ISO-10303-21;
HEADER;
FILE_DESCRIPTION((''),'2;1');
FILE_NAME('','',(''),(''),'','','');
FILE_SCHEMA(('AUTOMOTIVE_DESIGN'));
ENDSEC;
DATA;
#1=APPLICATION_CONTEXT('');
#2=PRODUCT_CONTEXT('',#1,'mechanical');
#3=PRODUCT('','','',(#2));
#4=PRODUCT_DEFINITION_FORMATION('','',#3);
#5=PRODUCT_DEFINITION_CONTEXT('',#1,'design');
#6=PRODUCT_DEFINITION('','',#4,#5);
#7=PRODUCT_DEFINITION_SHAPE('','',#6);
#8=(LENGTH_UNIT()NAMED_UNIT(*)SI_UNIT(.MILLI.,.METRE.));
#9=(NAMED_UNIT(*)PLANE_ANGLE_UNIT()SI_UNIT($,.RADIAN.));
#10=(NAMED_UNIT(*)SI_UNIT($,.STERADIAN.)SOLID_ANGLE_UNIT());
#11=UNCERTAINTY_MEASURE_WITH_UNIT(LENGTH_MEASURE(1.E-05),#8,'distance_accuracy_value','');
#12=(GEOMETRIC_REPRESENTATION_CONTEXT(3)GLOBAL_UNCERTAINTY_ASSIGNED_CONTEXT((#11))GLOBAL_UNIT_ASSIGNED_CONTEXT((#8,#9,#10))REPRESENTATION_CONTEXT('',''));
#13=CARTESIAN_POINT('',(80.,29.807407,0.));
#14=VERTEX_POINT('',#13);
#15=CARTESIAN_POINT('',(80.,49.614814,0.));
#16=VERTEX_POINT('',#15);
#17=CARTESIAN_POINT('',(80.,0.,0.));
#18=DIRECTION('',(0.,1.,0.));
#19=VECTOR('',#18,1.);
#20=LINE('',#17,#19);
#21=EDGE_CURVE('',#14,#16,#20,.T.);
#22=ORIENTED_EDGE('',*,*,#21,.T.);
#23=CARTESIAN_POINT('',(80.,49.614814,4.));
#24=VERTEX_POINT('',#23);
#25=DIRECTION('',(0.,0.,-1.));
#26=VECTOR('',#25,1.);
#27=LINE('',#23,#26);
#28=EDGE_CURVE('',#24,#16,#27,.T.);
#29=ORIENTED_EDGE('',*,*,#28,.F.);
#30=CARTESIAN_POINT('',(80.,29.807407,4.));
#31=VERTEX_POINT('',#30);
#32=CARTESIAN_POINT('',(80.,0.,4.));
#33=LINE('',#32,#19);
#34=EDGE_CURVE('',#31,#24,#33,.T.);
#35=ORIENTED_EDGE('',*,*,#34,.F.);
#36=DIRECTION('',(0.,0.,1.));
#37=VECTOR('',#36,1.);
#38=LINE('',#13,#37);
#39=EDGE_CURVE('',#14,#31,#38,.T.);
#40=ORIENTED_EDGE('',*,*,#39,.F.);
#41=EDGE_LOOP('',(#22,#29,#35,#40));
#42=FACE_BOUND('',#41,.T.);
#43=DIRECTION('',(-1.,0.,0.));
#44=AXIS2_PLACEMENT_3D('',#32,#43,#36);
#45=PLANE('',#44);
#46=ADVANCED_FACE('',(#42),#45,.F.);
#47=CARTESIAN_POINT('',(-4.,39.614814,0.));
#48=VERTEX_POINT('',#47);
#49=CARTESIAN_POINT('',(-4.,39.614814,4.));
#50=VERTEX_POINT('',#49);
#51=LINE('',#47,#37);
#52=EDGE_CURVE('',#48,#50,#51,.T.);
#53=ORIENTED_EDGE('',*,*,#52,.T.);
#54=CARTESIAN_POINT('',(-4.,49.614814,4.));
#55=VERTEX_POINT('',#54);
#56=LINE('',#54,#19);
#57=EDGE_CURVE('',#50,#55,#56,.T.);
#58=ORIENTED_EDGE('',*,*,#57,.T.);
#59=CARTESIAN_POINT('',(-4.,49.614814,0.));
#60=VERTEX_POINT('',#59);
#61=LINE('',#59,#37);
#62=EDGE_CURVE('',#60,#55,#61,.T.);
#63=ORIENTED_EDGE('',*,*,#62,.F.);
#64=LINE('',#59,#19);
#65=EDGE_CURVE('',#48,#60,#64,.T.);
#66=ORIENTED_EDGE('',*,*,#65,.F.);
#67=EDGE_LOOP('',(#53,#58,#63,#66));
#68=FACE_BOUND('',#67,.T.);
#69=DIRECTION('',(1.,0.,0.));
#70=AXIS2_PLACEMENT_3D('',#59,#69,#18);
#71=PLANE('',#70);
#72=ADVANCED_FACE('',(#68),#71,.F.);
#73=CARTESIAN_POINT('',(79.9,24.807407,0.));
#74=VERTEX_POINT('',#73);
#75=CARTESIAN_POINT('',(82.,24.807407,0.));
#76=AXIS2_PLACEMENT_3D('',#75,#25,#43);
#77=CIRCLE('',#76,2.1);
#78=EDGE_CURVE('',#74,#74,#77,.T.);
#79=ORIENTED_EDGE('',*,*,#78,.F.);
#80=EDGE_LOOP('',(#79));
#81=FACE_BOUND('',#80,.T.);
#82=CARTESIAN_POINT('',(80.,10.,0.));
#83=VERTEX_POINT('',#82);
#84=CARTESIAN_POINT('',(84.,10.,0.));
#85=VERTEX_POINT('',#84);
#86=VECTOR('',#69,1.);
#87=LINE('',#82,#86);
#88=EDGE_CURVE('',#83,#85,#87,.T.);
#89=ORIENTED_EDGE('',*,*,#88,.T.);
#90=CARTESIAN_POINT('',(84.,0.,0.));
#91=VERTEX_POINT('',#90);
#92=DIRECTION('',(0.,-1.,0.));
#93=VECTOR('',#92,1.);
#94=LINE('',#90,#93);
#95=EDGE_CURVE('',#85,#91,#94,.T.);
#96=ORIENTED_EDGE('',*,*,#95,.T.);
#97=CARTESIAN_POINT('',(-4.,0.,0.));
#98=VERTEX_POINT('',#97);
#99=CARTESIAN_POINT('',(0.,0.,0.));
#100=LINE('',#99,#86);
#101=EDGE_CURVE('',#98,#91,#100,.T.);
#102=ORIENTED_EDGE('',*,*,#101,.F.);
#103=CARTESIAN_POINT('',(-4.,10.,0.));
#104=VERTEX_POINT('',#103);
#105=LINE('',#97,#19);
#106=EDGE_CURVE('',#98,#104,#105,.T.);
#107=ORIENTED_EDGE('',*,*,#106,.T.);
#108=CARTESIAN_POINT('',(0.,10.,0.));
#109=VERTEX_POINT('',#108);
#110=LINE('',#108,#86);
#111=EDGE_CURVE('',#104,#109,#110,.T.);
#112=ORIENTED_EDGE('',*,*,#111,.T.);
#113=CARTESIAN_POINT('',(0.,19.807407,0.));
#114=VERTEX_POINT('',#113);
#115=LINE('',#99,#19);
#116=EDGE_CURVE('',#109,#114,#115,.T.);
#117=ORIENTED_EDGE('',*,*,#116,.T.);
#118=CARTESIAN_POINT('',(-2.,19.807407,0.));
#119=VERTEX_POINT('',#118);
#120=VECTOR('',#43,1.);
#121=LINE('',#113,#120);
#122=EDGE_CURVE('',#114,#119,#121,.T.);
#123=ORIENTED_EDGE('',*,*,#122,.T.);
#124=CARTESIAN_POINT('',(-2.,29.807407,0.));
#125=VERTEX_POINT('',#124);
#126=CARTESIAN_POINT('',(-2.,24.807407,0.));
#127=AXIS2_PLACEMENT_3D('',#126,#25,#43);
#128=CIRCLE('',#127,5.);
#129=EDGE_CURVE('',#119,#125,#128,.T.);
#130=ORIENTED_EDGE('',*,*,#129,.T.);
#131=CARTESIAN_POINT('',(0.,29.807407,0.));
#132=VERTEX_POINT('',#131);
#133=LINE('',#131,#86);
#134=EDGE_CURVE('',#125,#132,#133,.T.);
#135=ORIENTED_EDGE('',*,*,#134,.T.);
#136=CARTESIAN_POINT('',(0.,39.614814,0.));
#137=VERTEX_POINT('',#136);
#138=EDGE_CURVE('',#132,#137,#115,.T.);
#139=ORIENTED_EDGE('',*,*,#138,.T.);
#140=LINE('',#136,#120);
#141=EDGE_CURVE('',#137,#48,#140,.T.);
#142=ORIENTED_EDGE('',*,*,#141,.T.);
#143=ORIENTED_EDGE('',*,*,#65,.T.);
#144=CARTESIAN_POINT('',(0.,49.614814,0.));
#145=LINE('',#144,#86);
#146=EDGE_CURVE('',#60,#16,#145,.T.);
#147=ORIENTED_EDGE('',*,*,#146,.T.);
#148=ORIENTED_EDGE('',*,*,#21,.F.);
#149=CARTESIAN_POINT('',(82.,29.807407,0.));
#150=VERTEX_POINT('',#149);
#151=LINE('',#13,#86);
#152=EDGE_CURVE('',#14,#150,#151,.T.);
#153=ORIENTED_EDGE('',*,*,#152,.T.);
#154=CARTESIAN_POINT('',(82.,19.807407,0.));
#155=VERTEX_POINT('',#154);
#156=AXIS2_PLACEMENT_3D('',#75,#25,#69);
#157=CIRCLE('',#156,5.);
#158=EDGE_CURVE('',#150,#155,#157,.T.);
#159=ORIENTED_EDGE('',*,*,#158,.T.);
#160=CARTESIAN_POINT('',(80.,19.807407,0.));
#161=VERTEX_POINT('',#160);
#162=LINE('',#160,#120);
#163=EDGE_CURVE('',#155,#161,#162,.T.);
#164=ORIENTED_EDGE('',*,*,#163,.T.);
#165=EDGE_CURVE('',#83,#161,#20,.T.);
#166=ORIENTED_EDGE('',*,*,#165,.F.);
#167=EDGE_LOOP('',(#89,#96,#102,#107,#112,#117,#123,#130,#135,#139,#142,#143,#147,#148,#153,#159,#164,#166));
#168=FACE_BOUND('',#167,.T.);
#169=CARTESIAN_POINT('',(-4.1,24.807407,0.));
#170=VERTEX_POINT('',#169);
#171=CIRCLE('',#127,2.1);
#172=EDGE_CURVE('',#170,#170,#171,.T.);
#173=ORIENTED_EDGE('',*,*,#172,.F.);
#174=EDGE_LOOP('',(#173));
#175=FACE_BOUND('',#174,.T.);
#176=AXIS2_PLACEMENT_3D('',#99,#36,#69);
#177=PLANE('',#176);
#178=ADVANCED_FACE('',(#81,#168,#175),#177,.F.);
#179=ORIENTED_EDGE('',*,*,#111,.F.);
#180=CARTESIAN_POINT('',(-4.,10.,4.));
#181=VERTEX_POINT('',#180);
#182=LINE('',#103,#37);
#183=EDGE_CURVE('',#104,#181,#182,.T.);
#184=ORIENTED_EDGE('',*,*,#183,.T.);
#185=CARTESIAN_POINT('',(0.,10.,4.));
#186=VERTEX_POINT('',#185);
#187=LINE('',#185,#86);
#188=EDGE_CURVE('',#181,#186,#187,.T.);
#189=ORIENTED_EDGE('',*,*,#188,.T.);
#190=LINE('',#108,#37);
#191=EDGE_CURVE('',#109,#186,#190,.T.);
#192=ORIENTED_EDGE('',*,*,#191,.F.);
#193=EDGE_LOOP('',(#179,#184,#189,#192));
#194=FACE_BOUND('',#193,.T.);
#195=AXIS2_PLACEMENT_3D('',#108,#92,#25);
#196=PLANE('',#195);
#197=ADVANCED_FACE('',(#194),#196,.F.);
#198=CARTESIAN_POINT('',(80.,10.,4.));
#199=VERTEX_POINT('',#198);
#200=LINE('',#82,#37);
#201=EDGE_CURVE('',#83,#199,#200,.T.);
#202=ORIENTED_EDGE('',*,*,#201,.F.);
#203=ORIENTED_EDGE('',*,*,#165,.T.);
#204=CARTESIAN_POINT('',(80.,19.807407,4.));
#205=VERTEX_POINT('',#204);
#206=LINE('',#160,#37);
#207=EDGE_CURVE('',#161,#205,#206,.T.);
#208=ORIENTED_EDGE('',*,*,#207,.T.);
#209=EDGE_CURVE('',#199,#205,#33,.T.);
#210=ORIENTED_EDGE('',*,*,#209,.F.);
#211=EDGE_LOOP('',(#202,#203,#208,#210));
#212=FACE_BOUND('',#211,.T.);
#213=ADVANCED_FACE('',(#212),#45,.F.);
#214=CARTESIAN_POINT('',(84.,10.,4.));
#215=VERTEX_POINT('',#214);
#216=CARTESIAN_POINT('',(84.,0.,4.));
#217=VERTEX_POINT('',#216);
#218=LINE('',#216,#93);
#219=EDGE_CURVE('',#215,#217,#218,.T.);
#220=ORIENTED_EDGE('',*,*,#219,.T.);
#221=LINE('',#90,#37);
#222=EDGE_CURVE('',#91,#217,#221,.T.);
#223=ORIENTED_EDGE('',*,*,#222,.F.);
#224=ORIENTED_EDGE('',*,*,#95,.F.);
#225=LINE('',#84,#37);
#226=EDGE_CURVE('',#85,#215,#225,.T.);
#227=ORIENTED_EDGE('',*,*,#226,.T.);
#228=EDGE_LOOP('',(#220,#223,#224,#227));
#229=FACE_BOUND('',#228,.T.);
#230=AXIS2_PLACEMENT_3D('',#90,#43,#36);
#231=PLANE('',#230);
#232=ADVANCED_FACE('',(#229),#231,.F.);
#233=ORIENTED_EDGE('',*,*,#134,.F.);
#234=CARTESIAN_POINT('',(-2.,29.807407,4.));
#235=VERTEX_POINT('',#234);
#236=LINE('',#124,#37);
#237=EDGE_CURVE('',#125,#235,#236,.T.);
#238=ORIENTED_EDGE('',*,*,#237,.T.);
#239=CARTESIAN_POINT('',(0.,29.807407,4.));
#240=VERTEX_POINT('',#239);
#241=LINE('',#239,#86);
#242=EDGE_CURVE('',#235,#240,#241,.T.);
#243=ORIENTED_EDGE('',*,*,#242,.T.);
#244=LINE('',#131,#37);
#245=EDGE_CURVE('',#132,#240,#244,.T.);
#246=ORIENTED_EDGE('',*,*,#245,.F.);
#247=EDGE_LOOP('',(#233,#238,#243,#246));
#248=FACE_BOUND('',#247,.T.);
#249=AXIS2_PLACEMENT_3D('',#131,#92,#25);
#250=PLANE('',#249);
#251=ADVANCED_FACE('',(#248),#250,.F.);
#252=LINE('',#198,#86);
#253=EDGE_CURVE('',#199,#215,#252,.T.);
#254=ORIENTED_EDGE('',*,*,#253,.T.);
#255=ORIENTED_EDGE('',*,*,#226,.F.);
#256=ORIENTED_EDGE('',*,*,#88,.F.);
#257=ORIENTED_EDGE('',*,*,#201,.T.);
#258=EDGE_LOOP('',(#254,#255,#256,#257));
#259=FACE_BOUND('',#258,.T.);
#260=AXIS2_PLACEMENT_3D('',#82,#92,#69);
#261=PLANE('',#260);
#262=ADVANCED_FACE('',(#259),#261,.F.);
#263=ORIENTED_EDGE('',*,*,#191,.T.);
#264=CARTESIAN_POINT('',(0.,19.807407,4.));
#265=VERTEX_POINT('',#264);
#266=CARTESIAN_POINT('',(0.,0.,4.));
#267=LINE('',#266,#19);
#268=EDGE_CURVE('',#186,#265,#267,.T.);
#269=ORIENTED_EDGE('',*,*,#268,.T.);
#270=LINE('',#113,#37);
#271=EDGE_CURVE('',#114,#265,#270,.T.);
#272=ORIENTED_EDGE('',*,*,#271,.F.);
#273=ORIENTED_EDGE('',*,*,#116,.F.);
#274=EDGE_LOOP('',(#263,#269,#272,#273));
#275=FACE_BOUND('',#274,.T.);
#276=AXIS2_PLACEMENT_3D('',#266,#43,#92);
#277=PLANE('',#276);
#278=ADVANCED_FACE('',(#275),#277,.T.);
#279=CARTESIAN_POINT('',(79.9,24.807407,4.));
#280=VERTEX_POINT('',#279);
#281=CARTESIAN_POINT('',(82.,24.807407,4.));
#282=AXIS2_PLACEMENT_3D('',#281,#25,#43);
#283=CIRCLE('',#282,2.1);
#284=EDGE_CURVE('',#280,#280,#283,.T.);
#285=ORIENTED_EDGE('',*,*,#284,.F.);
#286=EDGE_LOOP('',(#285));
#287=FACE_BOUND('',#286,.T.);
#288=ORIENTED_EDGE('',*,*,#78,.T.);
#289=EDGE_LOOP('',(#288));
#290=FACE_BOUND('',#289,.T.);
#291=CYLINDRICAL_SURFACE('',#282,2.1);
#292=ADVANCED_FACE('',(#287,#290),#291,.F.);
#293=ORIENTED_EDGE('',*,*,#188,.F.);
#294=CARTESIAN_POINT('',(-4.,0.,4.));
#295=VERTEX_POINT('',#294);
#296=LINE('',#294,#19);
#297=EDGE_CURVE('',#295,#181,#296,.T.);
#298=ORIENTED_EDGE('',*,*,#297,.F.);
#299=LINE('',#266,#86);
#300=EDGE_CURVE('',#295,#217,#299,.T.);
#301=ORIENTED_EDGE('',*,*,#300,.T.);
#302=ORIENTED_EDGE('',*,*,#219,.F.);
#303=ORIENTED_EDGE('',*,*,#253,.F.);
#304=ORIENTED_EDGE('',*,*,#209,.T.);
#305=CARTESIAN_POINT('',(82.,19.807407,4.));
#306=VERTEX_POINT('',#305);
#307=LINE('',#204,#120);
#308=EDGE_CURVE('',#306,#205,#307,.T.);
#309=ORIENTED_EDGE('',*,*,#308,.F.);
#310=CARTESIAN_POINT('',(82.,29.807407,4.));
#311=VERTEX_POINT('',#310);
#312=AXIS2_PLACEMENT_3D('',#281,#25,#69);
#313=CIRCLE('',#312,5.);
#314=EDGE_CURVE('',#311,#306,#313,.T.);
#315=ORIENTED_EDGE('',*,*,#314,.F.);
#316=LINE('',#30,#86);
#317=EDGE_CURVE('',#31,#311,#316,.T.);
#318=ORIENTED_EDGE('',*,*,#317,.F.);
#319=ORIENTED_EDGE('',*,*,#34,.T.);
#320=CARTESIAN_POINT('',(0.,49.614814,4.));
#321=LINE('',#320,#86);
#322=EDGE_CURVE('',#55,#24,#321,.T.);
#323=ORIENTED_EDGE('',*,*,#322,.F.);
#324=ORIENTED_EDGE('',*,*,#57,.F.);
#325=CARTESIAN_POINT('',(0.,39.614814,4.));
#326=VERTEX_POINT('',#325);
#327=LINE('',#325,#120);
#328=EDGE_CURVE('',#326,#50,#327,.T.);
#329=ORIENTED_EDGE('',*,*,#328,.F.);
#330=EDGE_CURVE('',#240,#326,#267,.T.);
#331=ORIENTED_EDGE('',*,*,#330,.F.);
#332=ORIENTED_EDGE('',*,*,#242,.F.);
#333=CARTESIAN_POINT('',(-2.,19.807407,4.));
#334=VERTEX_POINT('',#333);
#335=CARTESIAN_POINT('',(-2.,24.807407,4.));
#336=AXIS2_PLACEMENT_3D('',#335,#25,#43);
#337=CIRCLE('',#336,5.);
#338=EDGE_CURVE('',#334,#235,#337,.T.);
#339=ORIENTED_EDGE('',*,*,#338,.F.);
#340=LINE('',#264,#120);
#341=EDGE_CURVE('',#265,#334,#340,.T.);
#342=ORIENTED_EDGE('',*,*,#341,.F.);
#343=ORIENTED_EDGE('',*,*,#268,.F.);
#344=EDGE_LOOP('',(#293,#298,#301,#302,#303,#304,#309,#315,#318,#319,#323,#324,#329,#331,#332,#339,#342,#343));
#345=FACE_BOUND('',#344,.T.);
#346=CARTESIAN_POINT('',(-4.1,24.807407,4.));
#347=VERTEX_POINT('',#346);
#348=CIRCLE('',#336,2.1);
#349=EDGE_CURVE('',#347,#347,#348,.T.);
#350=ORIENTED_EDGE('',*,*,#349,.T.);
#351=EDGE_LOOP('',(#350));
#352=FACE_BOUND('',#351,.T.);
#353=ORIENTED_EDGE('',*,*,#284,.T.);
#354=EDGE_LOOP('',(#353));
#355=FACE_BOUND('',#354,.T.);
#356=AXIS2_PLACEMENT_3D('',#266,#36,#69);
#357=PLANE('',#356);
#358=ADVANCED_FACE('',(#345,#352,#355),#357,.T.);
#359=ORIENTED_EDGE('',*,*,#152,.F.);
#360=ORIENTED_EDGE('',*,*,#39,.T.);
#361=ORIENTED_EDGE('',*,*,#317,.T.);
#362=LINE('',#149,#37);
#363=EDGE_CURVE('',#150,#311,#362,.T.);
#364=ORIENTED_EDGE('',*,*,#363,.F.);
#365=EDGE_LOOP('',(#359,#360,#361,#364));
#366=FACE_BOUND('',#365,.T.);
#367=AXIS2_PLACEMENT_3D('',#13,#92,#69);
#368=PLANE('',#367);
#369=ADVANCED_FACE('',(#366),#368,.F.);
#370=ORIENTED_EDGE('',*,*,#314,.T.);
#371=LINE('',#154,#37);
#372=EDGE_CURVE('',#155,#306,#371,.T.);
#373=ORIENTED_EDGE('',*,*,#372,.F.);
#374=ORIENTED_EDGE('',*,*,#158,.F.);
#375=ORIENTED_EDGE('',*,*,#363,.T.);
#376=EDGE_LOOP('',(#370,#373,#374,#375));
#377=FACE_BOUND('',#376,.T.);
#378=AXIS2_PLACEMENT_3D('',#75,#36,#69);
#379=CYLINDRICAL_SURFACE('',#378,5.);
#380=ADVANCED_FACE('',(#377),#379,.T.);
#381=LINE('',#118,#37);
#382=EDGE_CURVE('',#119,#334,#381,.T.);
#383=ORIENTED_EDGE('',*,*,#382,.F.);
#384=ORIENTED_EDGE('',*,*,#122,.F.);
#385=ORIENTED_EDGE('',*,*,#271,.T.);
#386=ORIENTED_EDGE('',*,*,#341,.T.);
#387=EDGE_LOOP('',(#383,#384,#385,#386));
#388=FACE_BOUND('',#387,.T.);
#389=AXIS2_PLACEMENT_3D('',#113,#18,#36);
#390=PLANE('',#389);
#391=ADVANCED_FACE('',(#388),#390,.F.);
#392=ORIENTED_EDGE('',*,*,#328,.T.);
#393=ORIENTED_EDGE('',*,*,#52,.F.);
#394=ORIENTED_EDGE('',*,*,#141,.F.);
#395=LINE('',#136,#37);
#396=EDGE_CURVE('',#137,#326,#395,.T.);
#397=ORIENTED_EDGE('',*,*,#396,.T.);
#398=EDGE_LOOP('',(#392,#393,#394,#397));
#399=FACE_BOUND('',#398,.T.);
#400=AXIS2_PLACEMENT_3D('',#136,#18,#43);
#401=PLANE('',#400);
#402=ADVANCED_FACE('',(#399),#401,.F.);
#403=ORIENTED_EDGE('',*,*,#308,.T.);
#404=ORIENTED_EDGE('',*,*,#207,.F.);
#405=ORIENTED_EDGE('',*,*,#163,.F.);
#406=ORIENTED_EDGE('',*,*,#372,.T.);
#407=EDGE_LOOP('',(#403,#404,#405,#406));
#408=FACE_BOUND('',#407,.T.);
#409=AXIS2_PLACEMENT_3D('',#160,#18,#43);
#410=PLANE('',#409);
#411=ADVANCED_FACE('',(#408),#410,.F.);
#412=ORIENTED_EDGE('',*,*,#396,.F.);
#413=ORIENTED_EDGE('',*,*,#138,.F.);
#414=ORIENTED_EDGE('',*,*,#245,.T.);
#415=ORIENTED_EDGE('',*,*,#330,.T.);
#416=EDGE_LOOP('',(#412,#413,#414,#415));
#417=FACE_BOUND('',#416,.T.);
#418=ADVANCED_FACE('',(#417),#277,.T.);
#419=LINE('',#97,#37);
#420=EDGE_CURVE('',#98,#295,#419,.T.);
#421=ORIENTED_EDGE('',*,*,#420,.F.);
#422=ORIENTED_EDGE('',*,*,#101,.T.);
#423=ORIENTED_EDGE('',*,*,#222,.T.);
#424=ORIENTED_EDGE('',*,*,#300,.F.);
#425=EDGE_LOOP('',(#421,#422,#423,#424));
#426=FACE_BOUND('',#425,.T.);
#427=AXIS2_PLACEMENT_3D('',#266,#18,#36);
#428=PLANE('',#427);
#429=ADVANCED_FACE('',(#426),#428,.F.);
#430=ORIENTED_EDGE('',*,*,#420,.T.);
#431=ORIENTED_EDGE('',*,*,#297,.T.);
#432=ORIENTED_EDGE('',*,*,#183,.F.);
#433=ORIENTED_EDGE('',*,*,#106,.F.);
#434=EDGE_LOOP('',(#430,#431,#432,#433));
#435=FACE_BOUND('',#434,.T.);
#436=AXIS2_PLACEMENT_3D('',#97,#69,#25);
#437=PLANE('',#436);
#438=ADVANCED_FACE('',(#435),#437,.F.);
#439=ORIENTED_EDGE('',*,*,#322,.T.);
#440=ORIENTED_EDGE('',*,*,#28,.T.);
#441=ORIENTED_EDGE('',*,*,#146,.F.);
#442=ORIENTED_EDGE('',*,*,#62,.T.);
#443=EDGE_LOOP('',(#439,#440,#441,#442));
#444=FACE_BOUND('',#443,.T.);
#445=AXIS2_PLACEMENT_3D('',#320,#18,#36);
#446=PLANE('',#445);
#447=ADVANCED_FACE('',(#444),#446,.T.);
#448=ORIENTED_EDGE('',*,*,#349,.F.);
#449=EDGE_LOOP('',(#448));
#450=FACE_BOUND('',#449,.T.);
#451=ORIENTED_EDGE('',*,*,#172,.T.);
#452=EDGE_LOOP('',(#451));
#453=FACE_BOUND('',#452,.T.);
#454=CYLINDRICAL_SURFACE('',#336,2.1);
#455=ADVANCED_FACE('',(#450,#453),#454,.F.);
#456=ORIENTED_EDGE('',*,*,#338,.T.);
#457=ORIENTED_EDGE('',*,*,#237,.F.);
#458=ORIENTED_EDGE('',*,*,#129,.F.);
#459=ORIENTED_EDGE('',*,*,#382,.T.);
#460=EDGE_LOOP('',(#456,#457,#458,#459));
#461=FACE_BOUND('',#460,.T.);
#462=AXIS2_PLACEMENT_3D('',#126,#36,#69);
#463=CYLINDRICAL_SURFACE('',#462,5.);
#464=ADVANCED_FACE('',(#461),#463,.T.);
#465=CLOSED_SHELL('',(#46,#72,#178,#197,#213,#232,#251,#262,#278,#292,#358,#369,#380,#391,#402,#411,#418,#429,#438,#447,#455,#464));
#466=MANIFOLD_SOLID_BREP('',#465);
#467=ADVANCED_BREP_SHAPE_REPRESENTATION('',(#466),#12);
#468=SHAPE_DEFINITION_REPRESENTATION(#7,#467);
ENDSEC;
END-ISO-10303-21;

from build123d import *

# Parameters (mm, degrees)
ESQUISSE1_W             = 80
ESQUISSE1_H             = 49.614813968
BOSS_EXTRU_1_DEPTH      = 4
ESQUISSE3_W             = 4
ESQUISSE3_H             = 10
BOSS_EXTRU_3_DEPTH      = 4
ESQUISSE4_R             = 2.1
ENL_V_MAT_EXTRU_1_DEPTH = 101.232877665


with BuildPart() as part:
    # Esquisse1 → Boss.-Extru.1 (new body)
    with BuildSketch(Plane.XY):
        with Locations((40, 24.807406984)):
            Rectangle(ESQUISSE1_W, ESQUISSE1_H)
    extrude(amount=BOSS_EXTRU_1_DEPTH)

    # Esquisse3 → Boss.-Extru.3 (add)
    with BuildSketch(Plane(origin=(0, 0, 4), x_dir=(-1, 0, 0), z_dir=(0, 0, -1))):
        with Locations((2, 5)):
            Rectangle(ESQUISSE3_W, ESQUISSE3_H)
        with BuildLine():
            Line((0, 19.807406984), (2, 19.807406984))
            ThreePointArc((2, 19.807406984), (7, 24.807406984), (2, 29.807406984))
            Line((2, 29.807406984), (0, 29.807406984))
            Line((0, 29.807406984), (0, 19.807406984))
        make_face()
        with Locations((2, 44.614813968)):
            Rectangle(ESQUISSE3_W, ESQUISSE3_H)
        with BuildLine():
            Line((-80, 29.807406984), (-82, 29.807406984))
            ThreePointArc((-82, 29.807406984), (-87, 24.807406984), (-82, 19.807406984))
            Line((-82, 19.807406984), (-80, 19.807406984))
            Line((-80, 19.807406984), (-80, 29.807406984))
        make_face()
        with Locations((-82, 5)):
            Rectangle(ESQUISSE3_W, ESQUISSE3_H)
    extrude(amount=BOSS_EXTRU_3_DEPTH)

    # Esquisse4 → Enlèv. mat.-Extru.1 (cut, through all)
    with BuildSketch(Plane(origin=(0, 0, 0), x_dir=(-1, 0, 0), z_dir=(0, 0, -1))):
        with Locations((2, 24.807406984)):
            Circle(ESQUISSE4_R)
        with Locations((-82, 24.807406984)):
            Circle(ESQUISSE4_R)
    extrude(amount=-ENL_V_MAT_EXTRU_1_DEPTH, mode=Mode.SUBTRACT)


solid = part.part
